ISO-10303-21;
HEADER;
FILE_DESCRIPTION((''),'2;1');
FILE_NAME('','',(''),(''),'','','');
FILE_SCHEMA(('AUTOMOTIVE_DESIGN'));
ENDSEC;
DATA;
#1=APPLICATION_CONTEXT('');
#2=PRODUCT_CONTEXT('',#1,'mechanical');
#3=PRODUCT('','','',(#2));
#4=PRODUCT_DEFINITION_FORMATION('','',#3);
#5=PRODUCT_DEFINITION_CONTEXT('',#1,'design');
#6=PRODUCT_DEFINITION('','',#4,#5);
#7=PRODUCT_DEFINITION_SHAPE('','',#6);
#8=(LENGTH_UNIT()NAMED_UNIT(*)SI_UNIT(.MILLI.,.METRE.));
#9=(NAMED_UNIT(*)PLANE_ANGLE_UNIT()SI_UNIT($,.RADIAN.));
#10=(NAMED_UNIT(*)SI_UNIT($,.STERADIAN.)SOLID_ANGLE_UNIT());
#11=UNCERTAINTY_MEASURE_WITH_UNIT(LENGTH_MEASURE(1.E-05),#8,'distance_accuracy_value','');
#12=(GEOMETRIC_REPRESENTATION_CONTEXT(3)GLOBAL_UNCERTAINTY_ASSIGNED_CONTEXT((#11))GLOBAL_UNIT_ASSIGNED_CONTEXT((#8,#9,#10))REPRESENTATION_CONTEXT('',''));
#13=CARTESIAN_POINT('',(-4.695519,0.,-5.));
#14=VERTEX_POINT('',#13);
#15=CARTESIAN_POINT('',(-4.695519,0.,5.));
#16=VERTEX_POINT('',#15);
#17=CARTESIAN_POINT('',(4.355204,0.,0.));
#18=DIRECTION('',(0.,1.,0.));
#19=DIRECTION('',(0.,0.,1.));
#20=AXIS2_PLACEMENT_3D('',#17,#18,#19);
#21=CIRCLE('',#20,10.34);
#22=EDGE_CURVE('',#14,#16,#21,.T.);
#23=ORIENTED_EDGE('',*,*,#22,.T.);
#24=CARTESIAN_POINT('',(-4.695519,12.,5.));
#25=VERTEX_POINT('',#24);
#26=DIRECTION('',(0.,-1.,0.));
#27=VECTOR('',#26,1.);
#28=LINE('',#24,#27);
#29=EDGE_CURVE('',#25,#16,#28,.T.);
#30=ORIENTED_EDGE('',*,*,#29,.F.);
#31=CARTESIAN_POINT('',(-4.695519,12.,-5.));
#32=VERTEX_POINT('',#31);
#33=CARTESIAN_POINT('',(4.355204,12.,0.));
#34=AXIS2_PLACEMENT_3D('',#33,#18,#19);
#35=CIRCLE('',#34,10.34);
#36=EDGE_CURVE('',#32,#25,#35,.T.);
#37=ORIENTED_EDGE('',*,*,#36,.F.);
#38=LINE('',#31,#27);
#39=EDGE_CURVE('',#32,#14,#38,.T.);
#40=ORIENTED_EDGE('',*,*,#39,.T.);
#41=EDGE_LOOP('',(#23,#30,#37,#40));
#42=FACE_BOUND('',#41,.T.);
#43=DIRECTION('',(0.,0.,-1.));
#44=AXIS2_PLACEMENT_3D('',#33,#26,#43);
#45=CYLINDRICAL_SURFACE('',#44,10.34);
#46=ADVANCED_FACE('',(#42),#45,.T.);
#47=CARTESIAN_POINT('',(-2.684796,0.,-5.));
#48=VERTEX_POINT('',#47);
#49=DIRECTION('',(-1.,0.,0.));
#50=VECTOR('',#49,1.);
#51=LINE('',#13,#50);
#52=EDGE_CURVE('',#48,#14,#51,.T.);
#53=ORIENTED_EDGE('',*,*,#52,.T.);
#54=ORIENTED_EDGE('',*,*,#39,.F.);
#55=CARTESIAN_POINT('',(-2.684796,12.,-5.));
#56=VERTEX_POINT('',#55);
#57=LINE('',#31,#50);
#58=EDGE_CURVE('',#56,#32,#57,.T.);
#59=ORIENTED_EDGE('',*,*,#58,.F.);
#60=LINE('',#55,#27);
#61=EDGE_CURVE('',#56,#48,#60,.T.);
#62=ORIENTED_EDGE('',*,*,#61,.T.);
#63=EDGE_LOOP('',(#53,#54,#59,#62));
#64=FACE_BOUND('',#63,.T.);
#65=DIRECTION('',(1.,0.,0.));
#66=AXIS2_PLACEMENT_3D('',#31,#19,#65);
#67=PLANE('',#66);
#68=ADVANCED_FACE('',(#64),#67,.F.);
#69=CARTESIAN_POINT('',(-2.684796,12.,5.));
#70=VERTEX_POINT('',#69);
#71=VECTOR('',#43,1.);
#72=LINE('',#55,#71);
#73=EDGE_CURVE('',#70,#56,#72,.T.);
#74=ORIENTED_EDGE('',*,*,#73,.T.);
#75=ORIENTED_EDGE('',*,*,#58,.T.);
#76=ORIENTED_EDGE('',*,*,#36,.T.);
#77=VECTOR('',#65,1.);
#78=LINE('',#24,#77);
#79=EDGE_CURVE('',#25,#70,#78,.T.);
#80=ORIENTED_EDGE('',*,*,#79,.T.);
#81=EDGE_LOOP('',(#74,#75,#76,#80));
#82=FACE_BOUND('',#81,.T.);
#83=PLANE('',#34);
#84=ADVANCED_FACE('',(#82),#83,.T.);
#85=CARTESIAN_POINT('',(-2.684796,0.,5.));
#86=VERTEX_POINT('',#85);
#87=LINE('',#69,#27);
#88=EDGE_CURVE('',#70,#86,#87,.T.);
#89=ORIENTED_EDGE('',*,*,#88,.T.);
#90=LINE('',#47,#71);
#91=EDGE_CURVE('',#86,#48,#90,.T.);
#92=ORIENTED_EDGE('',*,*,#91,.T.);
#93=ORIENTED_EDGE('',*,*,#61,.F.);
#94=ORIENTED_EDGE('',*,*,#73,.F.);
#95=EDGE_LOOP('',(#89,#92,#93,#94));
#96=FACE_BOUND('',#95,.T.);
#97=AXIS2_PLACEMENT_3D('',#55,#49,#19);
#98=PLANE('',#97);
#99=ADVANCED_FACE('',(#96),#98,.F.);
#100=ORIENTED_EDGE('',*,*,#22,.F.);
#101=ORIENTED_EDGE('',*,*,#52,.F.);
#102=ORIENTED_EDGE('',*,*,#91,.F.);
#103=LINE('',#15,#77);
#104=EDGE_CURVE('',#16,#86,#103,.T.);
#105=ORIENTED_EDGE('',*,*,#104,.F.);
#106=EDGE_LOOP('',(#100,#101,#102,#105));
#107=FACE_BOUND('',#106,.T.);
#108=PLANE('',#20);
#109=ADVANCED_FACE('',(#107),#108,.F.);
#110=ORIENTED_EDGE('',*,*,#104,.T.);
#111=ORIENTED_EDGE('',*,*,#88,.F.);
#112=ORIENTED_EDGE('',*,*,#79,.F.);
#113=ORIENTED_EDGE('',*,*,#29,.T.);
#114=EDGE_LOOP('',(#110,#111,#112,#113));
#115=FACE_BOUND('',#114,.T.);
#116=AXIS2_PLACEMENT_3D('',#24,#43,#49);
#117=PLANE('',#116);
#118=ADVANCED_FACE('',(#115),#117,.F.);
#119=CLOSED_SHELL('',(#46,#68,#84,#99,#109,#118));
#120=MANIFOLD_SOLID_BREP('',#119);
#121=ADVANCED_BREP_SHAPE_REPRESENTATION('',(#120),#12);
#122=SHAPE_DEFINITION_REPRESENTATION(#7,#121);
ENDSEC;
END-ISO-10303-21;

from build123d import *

# Parameters (mm, degrees)
EXTRUDE_1_DEPTH = 12


with BuildPart() as part:
    # 草图1 → 凸台-拉伸1 (new body)
    with BuildSketch(Plane(origin=(0, 0, 0), x_dir=(1, 0, 0), z_dir=(0, 1, 0))):
        with BuildLine():
            Line((-4.695519393, 5), (-2.684795665, 5))
            Line((-2.684795665, 5), (-2.684795665, -5))
            Line((-2.684795665, -5), (-4.695519393, -5))
            ThreePointArc((-4.695519393, -5), (-5.984795665, 0), (-4.695519393, 5))
        make_face()
    extrude(amount=EXTRUDE_1_DEPTH)


solid = part.part
